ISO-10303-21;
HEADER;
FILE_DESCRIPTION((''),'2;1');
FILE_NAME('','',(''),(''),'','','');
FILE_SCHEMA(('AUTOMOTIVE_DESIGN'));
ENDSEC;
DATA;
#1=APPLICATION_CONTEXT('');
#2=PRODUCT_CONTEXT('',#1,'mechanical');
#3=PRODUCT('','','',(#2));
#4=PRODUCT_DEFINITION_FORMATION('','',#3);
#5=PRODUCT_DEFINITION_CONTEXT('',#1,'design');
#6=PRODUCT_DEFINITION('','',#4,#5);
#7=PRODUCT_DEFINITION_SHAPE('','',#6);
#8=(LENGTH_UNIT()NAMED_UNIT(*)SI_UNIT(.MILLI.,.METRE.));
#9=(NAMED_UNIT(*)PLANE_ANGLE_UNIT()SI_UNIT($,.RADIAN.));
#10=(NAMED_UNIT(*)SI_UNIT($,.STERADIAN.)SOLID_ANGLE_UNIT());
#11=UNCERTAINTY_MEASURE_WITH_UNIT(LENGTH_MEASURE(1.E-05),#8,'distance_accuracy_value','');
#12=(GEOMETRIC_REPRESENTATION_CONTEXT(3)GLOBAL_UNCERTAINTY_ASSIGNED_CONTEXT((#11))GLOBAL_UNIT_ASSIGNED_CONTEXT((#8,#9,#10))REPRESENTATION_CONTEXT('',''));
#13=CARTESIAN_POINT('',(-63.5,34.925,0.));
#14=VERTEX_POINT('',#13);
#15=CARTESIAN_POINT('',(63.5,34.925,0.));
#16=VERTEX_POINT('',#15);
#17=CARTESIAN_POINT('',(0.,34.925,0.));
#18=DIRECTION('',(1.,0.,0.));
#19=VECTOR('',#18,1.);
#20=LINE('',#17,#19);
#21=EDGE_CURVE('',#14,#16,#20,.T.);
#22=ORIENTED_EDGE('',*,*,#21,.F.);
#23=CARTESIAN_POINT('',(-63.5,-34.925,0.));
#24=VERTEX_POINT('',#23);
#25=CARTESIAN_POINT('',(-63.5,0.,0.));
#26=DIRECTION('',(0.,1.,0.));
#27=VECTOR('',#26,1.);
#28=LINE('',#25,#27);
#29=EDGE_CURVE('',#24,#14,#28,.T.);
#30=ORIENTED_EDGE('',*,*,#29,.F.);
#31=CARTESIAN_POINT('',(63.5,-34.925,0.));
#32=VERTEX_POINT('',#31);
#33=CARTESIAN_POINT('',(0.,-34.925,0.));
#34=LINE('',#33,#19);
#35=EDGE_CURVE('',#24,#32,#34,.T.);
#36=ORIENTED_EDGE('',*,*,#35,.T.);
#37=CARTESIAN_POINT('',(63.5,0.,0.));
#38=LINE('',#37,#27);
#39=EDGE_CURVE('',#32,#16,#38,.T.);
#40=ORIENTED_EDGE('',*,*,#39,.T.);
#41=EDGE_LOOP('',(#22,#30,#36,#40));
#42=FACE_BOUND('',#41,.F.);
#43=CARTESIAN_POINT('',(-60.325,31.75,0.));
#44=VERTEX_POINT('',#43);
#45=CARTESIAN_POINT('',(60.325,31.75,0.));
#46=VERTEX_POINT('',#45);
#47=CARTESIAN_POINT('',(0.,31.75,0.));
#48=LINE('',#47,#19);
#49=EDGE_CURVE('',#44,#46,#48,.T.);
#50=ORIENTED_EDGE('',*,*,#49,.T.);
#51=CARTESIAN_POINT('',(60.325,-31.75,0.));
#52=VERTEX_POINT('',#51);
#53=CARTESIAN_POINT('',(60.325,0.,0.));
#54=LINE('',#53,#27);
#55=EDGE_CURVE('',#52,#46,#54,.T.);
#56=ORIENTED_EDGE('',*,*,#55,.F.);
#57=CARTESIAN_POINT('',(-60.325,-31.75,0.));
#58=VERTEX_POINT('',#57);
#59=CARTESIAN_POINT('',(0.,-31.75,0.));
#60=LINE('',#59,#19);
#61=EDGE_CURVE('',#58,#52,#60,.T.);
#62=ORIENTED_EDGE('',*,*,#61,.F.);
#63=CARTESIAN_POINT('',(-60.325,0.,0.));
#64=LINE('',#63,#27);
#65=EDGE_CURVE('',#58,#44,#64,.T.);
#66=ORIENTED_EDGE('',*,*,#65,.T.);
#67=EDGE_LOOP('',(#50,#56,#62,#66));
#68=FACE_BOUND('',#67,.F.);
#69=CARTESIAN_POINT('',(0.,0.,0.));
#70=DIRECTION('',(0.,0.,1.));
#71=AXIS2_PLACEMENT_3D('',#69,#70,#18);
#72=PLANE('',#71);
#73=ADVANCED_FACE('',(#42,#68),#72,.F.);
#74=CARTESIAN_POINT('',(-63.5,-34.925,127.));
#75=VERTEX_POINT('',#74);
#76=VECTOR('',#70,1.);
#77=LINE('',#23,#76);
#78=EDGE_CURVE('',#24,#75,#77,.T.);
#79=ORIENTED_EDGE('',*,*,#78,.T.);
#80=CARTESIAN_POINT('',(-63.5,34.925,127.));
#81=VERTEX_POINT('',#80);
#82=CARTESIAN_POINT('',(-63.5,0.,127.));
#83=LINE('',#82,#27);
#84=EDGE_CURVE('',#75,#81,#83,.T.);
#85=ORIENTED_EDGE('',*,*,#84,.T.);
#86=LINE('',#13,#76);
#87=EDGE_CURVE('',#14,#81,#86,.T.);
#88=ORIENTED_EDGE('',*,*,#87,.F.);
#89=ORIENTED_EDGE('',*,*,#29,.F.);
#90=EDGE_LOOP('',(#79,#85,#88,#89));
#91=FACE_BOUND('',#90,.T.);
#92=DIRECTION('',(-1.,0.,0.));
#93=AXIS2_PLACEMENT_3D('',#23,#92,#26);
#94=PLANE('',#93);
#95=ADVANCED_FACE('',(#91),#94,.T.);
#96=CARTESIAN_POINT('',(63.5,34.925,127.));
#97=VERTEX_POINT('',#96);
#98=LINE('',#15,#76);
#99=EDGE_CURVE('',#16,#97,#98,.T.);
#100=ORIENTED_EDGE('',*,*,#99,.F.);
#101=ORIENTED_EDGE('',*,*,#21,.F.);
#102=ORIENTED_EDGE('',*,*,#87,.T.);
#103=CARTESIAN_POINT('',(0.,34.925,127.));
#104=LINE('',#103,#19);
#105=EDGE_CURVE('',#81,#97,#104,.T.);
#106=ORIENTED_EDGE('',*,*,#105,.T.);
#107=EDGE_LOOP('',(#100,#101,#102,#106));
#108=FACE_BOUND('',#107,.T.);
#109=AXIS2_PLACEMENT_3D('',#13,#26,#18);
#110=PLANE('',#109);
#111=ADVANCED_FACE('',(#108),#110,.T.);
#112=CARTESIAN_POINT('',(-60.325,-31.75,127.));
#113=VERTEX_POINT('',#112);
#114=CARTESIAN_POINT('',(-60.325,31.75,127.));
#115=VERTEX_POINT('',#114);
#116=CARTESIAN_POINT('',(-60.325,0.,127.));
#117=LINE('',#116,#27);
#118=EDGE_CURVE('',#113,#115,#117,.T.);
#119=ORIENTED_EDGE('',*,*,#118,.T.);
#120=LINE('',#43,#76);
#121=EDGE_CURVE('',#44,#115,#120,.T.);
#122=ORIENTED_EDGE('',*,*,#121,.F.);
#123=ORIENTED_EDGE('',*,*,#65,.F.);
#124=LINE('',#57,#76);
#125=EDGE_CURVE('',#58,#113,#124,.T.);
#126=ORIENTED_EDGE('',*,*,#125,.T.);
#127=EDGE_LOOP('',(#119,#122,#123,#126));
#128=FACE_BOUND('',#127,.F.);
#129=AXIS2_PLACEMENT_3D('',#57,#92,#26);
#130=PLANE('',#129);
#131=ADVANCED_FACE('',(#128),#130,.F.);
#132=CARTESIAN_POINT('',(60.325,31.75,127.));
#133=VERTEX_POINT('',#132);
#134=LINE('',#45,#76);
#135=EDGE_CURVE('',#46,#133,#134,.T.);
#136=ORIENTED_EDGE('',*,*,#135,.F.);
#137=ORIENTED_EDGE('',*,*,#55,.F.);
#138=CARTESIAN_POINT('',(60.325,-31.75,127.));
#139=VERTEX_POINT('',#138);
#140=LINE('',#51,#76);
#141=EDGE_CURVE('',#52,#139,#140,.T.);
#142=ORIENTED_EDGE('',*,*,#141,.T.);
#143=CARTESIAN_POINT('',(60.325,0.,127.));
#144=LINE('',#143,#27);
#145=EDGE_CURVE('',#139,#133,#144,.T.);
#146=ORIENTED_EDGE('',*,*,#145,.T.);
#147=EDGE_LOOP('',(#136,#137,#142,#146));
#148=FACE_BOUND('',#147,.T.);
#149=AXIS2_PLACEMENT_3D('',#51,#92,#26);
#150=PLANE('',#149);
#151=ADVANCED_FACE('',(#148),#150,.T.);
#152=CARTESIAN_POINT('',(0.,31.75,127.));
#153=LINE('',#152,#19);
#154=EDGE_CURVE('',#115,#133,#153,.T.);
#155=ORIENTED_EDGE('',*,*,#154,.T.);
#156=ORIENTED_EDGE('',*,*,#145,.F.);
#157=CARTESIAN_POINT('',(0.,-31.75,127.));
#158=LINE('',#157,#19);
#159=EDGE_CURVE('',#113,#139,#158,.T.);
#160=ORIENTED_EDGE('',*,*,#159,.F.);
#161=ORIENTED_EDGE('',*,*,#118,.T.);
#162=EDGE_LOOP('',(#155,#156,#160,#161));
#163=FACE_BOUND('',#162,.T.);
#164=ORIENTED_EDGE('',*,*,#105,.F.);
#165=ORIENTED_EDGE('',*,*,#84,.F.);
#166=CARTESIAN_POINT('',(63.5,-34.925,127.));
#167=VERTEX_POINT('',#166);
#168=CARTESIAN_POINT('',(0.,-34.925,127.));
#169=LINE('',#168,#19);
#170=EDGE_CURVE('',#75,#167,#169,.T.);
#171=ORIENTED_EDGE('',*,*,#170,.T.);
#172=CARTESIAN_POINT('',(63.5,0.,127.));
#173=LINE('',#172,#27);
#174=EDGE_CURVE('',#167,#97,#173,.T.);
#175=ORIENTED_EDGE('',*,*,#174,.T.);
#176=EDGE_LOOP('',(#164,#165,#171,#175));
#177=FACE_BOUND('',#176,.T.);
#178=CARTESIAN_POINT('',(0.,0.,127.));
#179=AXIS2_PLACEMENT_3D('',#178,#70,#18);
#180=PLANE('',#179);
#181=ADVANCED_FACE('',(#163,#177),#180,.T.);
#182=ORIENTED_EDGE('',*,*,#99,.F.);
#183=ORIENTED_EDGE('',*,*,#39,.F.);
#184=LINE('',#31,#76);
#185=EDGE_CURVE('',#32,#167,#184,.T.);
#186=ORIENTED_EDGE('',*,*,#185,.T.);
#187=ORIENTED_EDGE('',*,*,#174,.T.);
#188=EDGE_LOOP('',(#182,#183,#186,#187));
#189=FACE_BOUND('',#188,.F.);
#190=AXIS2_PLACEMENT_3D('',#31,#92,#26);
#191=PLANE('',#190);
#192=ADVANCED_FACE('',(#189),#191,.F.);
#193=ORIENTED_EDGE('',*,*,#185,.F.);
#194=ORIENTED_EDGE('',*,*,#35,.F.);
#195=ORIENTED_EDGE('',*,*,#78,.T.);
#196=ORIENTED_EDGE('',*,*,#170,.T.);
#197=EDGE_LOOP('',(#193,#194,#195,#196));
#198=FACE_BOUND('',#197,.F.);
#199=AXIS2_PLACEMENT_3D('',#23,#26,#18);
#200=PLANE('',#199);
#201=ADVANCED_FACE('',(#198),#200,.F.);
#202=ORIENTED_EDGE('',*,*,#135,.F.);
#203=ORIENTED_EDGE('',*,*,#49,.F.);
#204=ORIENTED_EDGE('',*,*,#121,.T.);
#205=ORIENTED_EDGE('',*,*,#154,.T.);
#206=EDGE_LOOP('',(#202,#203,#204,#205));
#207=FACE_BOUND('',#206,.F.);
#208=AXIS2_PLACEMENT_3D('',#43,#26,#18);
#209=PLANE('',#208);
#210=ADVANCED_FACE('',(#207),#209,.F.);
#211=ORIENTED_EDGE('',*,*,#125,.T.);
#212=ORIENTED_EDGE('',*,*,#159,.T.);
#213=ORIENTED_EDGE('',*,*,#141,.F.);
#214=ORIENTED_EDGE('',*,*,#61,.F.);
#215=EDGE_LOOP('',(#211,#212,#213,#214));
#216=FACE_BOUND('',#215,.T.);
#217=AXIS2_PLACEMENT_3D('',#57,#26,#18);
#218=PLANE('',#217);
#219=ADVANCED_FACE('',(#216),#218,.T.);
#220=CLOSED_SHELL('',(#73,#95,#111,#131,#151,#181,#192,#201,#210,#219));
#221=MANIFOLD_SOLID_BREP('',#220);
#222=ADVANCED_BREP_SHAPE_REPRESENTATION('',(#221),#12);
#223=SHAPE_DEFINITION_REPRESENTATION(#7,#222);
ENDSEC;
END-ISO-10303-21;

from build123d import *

# Parameters (mm, degrees)
F0_W     = 127
F0_H     = 69.85
F0_W_2   = 120.65
F0_H_2   = 63.5
F1_DEPTH = 127
F2_R     = 6.815082
F3_DEPTH = 25.4


with BuildPart() as f1:
    # F0 (on Top) → F1 (new body)
    with BuildSketch(Plane.XY):
        Rectangle(F0_W, F0_H)
        Rectangle(F0_W_2, F0_H_2, mode=Mode.SUBTRACT)
    extrude(amount=F1_DEPTH)

    # F2 (on Right) → F3 (cut)
    with BuildSketch(Plane.YZ):
        with Locations((-17.673852, 52.945733)):
            Circle(F2_R)
    extrude(amount=-F3_DEPTH, mode=Mode.SUBTRACT)


solid = f1.part
